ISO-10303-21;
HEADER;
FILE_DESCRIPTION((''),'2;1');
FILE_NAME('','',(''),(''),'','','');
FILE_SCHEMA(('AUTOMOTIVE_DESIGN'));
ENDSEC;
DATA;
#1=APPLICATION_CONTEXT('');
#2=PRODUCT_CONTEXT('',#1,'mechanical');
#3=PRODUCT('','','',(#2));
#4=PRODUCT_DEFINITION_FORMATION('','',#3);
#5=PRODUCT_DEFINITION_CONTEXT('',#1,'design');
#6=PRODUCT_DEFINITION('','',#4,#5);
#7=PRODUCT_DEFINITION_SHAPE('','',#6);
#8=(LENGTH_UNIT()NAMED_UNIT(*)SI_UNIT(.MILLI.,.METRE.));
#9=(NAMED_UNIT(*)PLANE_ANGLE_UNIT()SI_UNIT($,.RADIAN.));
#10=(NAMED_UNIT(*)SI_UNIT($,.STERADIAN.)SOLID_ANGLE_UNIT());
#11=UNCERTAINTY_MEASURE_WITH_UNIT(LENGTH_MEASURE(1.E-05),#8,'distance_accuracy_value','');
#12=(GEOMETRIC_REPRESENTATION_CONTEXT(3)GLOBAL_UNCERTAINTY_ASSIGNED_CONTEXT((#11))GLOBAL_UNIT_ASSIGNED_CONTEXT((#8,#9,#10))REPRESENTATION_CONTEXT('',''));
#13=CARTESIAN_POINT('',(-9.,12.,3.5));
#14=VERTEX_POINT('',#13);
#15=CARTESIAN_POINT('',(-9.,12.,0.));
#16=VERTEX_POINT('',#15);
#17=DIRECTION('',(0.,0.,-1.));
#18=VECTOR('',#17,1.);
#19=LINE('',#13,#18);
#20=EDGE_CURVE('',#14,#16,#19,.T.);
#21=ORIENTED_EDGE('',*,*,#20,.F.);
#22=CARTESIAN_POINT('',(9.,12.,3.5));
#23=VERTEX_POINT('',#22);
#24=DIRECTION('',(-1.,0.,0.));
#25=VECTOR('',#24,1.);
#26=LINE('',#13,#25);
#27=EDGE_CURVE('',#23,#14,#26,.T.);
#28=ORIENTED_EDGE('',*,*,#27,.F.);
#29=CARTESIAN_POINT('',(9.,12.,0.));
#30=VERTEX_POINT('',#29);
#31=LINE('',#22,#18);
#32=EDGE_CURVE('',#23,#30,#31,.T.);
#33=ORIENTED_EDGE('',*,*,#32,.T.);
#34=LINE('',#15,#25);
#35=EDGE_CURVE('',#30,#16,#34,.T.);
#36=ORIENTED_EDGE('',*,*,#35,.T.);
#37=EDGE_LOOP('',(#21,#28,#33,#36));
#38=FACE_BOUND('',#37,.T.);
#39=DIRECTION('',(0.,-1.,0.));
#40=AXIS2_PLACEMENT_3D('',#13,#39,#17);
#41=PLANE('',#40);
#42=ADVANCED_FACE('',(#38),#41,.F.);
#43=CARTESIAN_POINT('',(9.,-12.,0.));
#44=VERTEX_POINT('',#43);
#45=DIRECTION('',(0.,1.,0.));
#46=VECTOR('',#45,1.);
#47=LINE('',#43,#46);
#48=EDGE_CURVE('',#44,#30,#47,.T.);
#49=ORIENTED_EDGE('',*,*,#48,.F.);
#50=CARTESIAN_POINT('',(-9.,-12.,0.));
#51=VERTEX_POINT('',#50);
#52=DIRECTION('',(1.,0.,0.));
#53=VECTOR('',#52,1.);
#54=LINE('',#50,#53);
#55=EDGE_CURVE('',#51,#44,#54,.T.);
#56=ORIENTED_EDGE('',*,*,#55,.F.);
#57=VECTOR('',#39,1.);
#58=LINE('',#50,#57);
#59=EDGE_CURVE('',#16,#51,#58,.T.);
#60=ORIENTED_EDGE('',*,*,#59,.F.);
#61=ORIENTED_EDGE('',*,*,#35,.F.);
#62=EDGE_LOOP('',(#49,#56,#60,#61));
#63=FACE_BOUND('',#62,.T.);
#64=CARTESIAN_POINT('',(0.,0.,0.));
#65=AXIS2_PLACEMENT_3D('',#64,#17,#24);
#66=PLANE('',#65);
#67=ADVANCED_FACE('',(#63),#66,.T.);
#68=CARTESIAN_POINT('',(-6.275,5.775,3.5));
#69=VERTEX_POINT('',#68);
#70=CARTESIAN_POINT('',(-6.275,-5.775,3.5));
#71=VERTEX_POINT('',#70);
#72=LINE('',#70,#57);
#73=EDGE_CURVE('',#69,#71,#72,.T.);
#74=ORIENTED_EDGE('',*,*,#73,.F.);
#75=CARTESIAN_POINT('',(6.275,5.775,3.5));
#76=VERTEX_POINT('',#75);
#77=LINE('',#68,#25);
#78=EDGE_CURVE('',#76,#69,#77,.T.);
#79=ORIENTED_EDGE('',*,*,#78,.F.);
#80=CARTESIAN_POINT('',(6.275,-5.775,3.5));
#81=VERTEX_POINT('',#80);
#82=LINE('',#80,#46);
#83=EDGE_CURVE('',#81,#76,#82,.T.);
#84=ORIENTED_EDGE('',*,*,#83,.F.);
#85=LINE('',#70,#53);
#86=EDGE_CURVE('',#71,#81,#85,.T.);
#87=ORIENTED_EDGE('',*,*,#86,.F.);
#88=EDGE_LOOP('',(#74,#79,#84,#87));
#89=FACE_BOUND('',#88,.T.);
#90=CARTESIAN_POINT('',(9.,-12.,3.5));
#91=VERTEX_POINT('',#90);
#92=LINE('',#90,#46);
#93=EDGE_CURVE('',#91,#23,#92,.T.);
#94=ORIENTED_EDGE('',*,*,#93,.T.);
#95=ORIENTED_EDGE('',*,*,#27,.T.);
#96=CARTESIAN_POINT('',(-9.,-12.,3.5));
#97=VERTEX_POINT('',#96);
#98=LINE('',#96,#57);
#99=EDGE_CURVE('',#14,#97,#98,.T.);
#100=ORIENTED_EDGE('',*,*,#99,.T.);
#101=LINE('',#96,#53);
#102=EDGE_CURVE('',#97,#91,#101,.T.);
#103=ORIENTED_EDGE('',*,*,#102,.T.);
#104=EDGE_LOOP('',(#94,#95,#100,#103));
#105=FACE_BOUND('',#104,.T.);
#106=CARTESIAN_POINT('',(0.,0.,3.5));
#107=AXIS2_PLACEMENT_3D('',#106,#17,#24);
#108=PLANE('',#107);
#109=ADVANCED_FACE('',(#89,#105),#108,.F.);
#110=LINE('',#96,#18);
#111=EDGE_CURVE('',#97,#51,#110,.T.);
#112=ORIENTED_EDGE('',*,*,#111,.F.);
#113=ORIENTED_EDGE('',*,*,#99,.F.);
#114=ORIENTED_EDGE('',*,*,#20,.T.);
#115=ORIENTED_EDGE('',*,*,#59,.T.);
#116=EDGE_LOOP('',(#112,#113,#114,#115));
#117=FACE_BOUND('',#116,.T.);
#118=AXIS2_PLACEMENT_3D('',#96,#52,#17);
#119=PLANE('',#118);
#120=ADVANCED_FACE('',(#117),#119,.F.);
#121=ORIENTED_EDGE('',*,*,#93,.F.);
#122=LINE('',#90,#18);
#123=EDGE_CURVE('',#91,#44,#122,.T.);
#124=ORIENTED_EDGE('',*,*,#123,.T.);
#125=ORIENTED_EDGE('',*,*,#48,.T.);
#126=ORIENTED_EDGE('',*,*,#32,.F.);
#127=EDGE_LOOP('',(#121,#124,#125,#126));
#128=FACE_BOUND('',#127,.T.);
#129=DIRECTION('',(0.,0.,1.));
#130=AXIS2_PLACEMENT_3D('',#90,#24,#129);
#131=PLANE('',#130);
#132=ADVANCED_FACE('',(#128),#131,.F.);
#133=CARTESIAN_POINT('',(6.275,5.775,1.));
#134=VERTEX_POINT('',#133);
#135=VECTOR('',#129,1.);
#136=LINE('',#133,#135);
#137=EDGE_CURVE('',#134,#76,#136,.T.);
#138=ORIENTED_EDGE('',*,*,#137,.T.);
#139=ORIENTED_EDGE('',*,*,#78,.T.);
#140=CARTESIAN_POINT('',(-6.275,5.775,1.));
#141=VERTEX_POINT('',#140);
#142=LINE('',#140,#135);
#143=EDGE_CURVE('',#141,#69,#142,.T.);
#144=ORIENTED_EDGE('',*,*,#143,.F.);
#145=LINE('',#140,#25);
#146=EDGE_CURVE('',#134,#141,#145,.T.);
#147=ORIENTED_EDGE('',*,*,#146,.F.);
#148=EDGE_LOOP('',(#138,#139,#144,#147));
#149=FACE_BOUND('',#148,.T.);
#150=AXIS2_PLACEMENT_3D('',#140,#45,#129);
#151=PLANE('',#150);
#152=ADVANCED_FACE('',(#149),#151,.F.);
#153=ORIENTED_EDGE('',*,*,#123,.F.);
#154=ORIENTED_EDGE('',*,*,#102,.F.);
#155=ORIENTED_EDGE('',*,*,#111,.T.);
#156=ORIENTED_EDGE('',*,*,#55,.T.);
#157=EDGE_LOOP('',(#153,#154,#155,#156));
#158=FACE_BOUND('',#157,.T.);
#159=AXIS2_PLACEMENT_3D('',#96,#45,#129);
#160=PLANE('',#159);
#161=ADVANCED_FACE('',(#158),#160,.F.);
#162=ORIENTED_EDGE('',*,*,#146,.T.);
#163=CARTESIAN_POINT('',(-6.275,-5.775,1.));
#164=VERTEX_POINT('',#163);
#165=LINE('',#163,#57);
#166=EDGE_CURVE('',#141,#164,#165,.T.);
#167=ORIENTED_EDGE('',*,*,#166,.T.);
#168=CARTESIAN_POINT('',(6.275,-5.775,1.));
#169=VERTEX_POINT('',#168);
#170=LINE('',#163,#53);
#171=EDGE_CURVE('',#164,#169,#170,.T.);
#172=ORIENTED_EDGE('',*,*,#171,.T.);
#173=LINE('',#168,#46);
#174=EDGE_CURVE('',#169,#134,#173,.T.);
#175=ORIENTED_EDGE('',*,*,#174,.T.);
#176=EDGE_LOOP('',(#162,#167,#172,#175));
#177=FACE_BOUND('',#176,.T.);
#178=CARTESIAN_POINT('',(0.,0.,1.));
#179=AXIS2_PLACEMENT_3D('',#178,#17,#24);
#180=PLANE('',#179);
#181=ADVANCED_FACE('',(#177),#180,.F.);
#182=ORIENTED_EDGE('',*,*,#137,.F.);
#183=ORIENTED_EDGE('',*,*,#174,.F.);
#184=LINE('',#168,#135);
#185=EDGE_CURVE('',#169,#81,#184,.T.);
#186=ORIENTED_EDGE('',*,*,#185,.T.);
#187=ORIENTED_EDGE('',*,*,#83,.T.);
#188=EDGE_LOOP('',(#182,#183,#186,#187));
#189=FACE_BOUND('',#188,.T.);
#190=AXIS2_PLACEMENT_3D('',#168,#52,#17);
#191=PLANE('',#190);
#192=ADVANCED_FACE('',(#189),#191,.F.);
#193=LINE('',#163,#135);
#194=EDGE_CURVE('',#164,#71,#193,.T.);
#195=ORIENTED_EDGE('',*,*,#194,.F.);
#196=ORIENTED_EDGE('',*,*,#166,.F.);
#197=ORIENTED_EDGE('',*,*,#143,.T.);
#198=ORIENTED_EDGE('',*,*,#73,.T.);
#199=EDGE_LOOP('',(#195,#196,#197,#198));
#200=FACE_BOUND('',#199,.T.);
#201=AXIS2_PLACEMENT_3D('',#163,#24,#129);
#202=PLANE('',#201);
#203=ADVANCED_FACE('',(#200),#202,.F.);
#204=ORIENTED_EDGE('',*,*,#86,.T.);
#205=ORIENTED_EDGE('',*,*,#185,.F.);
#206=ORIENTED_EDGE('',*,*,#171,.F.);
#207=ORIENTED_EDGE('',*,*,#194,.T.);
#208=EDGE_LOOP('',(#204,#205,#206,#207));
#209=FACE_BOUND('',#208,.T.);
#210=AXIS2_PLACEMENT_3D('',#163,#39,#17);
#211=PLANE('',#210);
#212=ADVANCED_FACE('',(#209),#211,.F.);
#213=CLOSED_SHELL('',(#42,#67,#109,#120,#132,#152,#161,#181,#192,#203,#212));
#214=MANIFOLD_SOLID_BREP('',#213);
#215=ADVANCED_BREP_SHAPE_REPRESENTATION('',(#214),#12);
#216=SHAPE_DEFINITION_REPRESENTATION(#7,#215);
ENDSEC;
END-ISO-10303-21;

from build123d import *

# Parameters (mm, degrees)
SKETCH_1_W          = 18
SKETCH_1_H          = 24
EXTRUDE_1_DEPTH     = 3.5
SKETCH_2_W          = 12.55
SKETCH_2_H          = 11.55
CUT_EXTRUDE_1_DEPTH = 2.5


with BuildPart() as part:
    # 스케치1 → 보스-돌출1 (new body)
    with BuildSketch(Plane.XY):
        Rectangle(SKETCH_1_W, SKETCH_1_H)
    extrude(amount=EXTRUDE_1_DEPTH)

    # 스케치2 → 컷-돌출1 (cut)
    with BuildSketch(Plane.XY.offset(3.5)):
        Rectangle(SKETCH_2_W, SKETCH_2_H)
    extrude(amount=-CUT_EXTRUDE_1_DEPTH, mode=Mode.SUBTRACT)


solid = part.part
